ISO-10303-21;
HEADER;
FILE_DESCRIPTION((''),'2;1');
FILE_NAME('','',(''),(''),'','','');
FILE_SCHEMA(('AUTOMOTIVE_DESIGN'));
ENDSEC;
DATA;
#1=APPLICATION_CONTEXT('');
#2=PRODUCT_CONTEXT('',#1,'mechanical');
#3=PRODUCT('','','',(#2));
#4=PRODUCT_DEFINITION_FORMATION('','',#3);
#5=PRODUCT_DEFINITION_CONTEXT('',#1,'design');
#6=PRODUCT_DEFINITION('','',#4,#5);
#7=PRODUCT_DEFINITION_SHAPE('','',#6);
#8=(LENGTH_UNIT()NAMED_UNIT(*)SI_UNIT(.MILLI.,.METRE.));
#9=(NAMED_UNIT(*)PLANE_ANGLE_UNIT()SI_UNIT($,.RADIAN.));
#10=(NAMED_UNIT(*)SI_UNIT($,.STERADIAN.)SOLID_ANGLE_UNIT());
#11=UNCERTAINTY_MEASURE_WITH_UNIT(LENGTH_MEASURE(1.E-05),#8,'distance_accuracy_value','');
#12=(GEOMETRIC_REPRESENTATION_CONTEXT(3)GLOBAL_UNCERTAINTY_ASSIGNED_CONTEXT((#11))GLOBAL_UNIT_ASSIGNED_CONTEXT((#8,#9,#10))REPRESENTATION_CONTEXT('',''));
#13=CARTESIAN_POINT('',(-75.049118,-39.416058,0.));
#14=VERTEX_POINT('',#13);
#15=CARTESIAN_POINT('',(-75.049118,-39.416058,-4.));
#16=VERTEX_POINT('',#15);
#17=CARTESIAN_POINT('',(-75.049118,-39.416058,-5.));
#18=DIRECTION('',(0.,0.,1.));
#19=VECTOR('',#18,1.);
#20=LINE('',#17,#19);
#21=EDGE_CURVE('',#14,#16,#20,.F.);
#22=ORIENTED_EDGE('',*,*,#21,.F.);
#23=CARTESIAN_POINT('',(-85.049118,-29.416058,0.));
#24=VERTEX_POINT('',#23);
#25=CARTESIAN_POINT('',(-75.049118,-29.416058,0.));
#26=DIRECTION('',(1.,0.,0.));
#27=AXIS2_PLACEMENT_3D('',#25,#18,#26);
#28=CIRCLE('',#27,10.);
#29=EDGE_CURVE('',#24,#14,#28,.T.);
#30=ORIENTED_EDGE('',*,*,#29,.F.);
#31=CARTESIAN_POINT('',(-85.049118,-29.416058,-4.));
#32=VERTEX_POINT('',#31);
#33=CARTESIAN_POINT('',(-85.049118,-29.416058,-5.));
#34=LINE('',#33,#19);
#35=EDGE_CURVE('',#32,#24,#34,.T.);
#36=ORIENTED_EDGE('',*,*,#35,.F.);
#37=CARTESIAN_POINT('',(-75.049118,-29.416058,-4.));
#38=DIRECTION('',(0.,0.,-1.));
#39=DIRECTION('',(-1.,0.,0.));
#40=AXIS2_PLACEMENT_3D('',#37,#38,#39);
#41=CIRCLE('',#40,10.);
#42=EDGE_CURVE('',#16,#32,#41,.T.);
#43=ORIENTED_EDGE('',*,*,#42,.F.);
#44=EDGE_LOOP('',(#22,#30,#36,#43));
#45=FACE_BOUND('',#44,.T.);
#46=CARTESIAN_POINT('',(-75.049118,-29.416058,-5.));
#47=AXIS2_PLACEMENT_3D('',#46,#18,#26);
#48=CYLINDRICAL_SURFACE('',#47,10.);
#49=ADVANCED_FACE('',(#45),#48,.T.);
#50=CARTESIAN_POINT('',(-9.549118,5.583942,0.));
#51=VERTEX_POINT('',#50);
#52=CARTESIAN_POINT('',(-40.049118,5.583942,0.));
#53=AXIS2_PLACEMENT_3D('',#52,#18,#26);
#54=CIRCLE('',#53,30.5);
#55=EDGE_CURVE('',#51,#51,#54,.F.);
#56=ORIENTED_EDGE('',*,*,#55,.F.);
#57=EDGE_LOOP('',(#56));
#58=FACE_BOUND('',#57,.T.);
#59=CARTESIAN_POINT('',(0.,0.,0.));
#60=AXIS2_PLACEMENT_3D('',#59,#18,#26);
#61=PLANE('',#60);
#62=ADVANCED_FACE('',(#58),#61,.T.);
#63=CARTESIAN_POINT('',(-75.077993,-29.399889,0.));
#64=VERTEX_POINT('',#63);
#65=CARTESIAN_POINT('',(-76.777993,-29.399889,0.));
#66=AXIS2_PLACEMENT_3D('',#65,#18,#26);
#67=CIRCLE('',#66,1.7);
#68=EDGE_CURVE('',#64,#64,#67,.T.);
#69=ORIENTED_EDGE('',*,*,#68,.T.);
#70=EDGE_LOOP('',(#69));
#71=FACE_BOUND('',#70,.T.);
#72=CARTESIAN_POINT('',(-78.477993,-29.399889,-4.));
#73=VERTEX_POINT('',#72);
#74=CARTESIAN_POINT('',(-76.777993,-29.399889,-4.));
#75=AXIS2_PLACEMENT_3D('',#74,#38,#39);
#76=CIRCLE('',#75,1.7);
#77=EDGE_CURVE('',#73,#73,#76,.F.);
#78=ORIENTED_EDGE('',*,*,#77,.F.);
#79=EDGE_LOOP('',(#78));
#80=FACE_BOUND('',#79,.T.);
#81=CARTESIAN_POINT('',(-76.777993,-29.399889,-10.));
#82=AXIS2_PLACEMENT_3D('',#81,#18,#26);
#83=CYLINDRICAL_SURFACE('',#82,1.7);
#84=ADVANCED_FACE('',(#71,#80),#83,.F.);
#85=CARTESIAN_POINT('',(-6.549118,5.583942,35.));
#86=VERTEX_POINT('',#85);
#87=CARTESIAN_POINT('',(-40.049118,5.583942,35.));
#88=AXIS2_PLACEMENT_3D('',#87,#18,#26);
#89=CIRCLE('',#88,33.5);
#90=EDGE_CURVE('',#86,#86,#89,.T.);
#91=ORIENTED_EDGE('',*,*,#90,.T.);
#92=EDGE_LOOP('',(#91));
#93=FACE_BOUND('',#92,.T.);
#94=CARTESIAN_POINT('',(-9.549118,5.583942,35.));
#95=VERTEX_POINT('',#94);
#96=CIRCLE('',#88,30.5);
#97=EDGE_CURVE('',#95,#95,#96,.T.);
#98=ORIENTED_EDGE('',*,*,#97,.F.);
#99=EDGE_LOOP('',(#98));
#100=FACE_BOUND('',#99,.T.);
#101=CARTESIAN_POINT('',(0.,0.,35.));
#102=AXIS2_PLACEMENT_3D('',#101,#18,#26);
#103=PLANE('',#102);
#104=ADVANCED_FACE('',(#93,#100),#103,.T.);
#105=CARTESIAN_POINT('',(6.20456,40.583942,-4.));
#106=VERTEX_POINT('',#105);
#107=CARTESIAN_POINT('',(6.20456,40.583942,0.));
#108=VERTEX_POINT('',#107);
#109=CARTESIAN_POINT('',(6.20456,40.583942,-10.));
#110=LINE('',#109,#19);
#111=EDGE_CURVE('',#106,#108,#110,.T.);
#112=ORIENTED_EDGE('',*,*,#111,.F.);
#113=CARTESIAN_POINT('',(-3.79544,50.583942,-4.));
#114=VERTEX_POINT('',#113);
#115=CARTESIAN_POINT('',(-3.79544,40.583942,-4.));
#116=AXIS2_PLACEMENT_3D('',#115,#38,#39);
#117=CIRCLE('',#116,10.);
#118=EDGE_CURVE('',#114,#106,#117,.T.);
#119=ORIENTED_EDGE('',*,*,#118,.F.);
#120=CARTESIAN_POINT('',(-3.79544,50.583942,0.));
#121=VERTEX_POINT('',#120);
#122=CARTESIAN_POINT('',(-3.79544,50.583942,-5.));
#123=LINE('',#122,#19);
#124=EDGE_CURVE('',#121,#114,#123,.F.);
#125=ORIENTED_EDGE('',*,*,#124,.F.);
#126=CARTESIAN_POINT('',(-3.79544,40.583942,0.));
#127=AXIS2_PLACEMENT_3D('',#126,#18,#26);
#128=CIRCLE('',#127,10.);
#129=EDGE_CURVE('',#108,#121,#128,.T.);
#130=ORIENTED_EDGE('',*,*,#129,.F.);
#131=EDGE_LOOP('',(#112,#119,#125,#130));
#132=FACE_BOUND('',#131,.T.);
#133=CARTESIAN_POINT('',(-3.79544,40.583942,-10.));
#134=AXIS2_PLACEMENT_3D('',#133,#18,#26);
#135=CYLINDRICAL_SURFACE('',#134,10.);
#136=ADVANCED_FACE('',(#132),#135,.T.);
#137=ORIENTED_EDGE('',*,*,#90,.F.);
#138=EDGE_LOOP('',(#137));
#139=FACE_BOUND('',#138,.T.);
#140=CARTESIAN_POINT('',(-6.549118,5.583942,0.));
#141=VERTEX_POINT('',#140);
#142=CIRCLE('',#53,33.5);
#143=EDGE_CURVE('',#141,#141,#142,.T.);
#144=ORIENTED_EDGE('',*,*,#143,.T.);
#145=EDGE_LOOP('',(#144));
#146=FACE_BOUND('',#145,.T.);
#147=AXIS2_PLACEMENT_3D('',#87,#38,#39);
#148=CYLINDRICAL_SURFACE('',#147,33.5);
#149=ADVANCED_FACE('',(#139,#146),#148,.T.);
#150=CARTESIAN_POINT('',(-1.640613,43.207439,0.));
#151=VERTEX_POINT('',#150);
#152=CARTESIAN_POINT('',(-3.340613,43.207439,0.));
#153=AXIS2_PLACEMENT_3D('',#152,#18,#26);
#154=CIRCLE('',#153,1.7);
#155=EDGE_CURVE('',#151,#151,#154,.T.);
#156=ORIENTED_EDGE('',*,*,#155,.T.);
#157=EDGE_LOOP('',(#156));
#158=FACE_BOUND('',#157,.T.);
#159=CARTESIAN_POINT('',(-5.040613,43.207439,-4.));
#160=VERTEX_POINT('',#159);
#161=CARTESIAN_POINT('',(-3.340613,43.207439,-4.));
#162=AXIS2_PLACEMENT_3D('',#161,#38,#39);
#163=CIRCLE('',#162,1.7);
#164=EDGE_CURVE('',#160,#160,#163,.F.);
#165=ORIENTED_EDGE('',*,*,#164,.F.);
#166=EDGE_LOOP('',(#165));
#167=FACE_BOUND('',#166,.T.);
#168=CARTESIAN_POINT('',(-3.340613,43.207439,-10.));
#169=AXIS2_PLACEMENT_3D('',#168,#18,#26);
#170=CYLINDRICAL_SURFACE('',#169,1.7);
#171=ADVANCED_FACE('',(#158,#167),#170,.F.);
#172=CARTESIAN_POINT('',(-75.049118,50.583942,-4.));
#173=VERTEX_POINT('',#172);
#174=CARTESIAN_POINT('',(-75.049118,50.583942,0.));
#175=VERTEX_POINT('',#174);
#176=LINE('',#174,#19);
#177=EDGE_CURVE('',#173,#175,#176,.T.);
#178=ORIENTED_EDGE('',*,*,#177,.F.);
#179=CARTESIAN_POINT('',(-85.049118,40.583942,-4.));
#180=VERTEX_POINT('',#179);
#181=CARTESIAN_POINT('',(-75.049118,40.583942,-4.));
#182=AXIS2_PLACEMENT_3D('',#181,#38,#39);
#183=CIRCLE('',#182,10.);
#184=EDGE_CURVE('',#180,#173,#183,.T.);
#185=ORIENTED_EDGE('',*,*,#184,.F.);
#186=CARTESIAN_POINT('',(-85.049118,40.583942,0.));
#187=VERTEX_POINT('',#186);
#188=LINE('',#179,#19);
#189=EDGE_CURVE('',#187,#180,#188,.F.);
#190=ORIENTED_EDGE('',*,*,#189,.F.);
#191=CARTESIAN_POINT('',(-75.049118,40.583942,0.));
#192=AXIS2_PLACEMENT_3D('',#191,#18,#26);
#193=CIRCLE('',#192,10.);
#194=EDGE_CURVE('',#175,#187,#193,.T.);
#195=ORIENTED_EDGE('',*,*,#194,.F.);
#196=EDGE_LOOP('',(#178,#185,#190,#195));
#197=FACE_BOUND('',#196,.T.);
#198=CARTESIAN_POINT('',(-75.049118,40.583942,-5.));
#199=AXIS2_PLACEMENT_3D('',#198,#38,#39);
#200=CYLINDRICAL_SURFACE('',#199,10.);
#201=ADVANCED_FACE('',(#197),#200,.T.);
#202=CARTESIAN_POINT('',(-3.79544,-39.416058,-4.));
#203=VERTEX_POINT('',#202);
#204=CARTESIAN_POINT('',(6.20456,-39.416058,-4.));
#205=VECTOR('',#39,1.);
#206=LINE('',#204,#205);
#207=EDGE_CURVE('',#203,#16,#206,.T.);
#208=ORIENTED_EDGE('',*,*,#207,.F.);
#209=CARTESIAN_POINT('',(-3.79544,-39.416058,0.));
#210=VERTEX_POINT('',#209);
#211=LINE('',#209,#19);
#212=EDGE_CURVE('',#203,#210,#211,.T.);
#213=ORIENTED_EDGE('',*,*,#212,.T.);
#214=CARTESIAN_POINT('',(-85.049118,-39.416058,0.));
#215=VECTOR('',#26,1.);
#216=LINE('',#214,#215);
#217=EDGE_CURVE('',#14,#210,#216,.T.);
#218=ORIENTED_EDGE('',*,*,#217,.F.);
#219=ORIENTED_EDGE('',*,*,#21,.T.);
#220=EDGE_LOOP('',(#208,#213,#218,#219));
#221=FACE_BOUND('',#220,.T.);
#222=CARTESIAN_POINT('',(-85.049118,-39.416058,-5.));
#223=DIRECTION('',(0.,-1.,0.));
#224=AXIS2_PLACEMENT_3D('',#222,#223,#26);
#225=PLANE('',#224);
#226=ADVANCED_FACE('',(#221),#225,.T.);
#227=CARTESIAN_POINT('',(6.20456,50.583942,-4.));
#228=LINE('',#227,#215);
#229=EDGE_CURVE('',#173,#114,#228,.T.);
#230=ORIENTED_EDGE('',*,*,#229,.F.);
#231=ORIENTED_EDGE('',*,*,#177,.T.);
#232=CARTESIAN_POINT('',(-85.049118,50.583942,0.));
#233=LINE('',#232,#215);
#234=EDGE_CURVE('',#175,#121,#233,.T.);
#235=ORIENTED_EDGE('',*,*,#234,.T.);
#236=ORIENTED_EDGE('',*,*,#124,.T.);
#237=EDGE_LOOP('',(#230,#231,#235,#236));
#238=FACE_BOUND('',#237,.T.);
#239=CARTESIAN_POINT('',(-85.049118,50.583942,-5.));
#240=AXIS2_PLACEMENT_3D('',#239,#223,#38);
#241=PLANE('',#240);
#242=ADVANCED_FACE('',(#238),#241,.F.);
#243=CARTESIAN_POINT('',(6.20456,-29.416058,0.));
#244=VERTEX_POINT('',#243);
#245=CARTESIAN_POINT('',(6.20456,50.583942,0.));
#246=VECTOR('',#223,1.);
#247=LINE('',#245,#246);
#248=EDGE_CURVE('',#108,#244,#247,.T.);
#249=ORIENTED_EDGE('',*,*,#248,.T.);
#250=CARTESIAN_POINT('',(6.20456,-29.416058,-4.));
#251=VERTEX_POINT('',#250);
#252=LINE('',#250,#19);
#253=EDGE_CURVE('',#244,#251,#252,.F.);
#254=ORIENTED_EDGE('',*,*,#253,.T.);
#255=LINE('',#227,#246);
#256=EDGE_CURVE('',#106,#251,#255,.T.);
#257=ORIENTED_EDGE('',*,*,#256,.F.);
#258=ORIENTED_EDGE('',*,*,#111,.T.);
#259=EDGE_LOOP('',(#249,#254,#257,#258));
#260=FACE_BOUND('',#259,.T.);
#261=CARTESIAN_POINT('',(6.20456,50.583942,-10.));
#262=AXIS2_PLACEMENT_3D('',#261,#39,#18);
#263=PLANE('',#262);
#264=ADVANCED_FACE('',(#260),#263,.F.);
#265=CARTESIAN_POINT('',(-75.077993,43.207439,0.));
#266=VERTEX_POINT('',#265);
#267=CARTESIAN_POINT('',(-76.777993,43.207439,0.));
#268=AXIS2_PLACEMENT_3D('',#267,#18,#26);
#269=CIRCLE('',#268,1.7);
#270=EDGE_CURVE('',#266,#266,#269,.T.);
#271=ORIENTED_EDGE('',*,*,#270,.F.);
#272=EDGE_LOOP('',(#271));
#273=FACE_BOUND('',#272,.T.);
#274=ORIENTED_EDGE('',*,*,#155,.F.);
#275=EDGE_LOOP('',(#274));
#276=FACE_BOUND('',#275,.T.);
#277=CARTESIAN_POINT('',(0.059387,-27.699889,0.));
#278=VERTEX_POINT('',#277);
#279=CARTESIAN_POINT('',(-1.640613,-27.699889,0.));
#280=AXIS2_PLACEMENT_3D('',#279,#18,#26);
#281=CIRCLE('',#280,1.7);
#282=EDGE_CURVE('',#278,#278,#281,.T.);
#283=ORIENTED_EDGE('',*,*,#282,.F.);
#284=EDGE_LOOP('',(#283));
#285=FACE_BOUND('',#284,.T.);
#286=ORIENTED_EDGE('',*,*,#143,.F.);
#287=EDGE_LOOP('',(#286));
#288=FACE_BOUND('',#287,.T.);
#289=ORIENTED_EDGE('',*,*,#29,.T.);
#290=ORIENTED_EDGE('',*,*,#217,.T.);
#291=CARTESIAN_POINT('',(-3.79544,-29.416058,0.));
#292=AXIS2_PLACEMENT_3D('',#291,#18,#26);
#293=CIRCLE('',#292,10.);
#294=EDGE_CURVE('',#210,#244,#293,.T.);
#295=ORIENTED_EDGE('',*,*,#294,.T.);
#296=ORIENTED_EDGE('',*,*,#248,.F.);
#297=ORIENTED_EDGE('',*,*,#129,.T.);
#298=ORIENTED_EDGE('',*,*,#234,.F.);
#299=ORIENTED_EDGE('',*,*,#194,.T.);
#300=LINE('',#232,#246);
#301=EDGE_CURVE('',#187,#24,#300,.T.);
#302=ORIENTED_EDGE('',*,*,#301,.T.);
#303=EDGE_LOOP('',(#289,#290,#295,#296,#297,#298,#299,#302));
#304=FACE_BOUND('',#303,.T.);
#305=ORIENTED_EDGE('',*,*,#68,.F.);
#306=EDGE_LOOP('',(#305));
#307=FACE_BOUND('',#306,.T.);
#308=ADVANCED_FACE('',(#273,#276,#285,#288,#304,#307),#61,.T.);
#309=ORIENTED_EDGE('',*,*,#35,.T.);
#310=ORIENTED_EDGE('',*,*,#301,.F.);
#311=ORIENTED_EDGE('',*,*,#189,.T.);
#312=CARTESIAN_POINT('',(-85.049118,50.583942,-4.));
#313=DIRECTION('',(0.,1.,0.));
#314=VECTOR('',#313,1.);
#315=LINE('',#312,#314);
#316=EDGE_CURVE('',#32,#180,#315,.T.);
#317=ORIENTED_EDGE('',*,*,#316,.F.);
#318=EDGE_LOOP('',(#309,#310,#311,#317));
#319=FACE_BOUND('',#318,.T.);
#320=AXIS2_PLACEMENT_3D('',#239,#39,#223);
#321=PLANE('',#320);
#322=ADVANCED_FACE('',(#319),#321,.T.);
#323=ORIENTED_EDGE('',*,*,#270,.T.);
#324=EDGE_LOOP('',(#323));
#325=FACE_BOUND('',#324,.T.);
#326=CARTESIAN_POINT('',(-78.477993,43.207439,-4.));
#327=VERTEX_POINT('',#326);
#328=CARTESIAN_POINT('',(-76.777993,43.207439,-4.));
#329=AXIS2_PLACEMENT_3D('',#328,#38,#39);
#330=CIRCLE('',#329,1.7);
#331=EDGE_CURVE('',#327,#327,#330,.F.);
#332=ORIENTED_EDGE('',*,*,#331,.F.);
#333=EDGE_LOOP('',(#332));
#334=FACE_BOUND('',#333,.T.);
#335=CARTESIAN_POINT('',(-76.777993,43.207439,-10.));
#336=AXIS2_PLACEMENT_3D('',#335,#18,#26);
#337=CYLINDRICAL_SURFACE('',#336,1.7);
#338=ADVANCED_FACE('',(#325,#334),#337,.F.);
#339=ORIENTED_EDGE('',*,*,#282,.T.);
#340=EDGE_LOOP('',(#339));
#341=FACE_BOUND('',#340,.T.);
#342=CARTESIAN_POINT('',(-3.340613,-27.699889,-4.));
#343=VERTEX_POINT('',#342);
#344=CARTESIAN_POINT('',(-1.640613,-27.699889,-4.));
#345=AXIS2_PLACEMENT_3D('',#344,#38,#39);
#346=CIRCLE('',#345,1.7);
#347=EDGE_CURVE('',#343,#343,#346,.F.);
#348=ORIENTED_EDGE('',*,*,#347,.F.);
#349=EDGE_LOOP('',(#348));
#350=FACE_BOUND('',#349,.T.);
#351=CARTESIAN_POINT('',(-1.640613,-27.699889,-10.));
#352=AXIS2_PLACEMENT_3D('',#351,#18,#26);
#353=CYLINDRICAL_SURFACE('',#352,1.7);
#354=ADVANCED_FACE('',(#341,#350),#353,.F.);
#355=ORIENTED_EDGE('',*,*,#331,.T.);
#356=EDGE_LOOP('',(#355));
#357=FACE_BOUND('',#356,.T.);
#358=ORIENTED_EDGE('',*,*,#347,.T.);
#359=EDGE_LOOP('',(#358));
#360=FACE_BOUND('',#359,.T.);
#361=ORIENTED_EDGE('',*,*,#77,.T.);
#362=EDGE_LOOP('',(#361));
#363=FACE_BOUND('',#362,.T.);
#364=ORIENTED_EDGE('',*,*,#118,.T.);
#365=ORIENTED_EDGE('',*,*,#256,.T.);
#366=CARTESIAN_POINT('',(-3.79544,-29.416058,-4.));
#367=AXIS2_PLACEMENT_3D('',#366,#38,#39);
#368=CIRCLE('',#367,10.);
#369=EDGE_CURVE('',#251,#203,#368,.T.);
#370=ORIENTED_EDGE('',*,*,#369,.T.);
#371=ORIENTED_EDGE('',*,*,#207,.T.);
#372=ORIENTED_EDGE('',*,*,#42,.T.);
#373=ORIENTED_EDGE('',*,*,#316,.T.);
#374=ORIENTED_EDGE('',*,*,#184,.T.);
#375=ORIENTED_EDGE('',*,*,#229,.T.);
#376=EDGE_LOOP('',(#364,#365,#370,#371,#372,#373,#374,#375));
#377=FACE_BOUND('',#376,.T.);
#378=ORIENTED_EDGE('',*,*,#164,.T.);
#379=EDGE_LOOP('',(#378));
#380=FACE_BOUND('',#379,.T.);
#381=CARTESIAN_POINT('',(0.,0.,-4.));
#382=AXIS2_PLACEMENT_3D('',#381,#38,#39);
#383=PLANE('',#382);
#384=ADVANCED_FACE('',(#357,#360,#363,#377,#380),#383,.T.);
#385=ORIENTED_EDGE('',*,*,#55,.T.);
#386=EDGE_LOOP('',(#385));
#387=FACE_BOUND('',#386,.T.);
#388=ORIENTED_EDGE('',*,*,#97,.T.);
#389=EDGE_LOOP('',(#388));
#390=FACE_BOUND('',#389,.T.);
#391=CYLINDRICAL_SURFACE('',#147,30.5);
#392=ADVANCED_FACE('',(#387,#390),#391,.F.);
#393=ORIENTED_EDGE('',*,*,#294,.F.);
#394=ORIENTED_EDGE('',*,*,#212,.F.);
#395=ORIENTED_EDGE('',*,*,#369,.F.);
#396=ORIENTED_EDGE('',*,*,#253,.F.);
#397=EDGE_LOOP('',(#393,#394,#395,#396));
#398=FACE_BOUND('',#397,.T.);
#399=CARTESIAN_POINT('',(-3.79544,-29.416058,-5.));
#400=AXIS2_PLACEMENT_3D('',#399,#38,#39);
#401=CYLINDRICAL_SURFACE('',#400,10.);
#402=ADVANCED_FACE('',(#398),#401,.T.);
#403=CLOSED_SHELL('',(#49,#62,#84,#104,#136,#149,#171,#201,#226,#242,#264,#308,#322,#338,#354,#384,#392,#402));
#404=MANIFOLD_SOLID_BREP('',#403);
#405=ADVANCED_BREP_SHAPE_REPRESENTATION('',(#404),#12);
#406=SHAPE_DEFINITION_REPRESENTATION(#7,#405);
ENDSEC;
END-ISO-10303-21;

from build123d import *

# Parameters (mm, degrees)
SKETCH1_W           = 170
SKETCH1_H           = 90
BOSS_EXTRUDE1_DEPTH = 5
SKETCH1_3_W         = 170
SKETCH1_3_H         = 90
SKETCH1_3_R         = 3
BOSS_EXTRUDE2_DEPTH = 10
SKETCH1_4_R         = 33.5
SKETCH1_4_R_2       = 30.5
BOSS_EXTRUDE3_DEPTH = 35
SKETCH1_7_R         = 33.5
BOSS_EXTRUDE4_DEPTH = 10
SKETCH3_W           = 78.746322612
SKETCH3_H           = 90
CUT_EXTRUDE3_DEPTH  = 10
SKETCH5_R           = 1.7
CUT_EXTRUDE4_DEPTH  = 10
SKETCH6_W           = 91.253677388
SKETCH6_H           = 90
CUT_EXTRUDE5_DEPTH  = 6
FILLET2_R           = 10


with BuildPart() as part:
    # Sketch1 → Boss-Extrude1 (new body)
    with BuildSketch(Plane.XY):
        with Locations((-0.049117786, 5.583941606)):
            Rectangle(SKETCH1_W, SKETCH1_H)
    extrude(amount=-BOSS_EXTRUDE1_DEPTH)

    # Sketch1<3> → Boss-Extrude2 (add)
    with BuildSketch(Plane.XY):
        with Locations((-0.049117786, 5.583941606)):
            Rectangle(SKETCH1_3_W, SKETCH1_3_H)
        with Locations((-77.306081152, -32.231283052)):
            Circle(SKETCH1_3_R, mode=Mode.SUBTRACT)
        with Locations((75.391495508, -30.531283052)):
            Circle(SKETCH1_3_R, mode=Mode.SUBTRACT)
        with Locations((75.391495508, 41.466476411)):
            Circle(SKETCH1_3_R, mode=Mode.SUBTRACT)
        with Locations((-77.306081152, 42.827274758)):
            Circle(SKETCH1_3_R, mode=Mode.SUBTRACT)
        with BuildLine():
            Line((-65.684201055, -34.416058394), (65.585965482, -34.416058394))
            ThreePointArc((65.585965482, -34.416058394), (70.80874659, -25.27392277), (79.950882214, -20.051141663))
            Line((79.950882214, -20.051141663), (79.950882214, 31.219024875))
            ThreePointArc((79.950882214, 31.219024875), (70.80874659, 36.441805982), (65.585965482, 45.583941606))
            Line((65.585965482, 45.583941606), (-65.684201055, 45.583941606))
            ThreePointArc((-65.684201055, 45.583941606), (-70.906982163, 36.441805982), (-80.049117786, 31.219024875))
            Line((-80.049117786, 31.219024875), (-80.049117786, -20.051141663))
            ThreePointArc((-80.049117786, -20.051141663), (-70.906982163, -25.27392277), (-65.684201055, -34.416058394))
        make_face(mode=Mode.SUBTRACT)
    extrude(amount=-BOSS_EXTRUDE2_DEPTH)

    # Sketch1<4> → Boss-Extrude3 (add)
    with BuildSketch(Plane.XY):
        with Locations((-40.049117786, 5.583941606)):
            Circle(SKETCH1_4_R)
        with Locations((-40.049117786, 5.583941606)):
            Circle(SKETCH1_4_R_2, mode=Mode.SUBTRACT)
    extrude(amount=BOSS_EXTRUDE3_DEPTH)

    # Sketch1<7> → Boss-Extrude4 (add)
    with BuildSketch(Plane.XY):
        with BuildLine():
            ThreePointArc((-65.684201055, -34.416058394), (-70.906982163, -25.27392277), (-80.049117786, -20.051141663))
            Line((-80.049117786, -20.051141663), (-80.049117786, 31.219024875))
            ThreePointArc((-80.049117786, 31.219024875), (-70.906982163, 36.441805982), (-65.684201055, 45.583941606))
            Line((-65.684201055, 45.583941606), (65.585965482, 45.583941606))
            ThreePointArc((65.585965482, 45.583941606), (70.80874659, 36.441805982), (79.950882214, 31.219024875))
            Line((79.950882214, 31.219024875), (79.950882214, -20.051141663))
            ThreePointArc((79.950882214, -20.051141663), (70.80874659, -25.27392277), (65.585965482, -34.416058394))
            Line((65.585965482, -34.416058394), (-65.684201055, -34.416058394))
        make_face()
        with Locations((-40.049117786, 5.583941606)):
            Circle(SKETCH1_7_R, mode=Mode.SUBTRACT)
    extrude(amount=-BOSS_EXTRUDE4_DEPTH)

    # Sketch3 → Cut-Extrude3 (cut)
    with BuildSketch(Plane.XY):
        with Locations((45.577720908, 5.583941606)):
            Rectangle(SKETCH3_W, SKETCH3_H)
    extrude(amount=-CUT_EXTRUDE3_DEPTH, mode=Mode.SUBTRACT)

    # Sketch5 → Cut-Extrude4 (cut)
    with BuildSketch(Plane.XY):
        with Locations((-76.777993439, 43.20743885)):
            Circle(SKETCH5_R)
        with Locations((-3.340612715, 43.20743885)):
            Circle(SKETCH5_R)
        with Locations((-76.777993439, -29.399888528)):
            Circle(SKETCH5_R)
        with Locations((-1.640612715, -27.699888528)):
            Circle(SKETCH5_R)
    extrude(amount=-CUT_EXTRUDE4_DEPTH, mode=Mode.SUBTRACT)

    # Sketch6 → Cut-Extrude5 (cut)
    with BuildSketch(Plane(origin=(0, 0, -10), x_dir=(-1, 0, 0), z_dir=(0, 0, -1))):
        with Locations((39.422279092, 5.583941606)):
            Rectangle(SKETCH6_W, SKETCH6_H)
    extrude(amount=-CUT_EXTRUDE5_DEPTH, mode=Mode.SUBTRACT)

    # Fillet2
    fillet2_edges = [part.edges().sort_by_distance(p)[0] for p in [
        (6.204559602, -39.416058394, -2),
        (6.204559602, 50.583941606, -2),
        (-85.049117786, -39.416058394, -2),
        (-85.049117786, 50.583941606, -2),
    ]]
    fillet(fillet2_edges, radius=FILLET2_R)


solid = part.part
